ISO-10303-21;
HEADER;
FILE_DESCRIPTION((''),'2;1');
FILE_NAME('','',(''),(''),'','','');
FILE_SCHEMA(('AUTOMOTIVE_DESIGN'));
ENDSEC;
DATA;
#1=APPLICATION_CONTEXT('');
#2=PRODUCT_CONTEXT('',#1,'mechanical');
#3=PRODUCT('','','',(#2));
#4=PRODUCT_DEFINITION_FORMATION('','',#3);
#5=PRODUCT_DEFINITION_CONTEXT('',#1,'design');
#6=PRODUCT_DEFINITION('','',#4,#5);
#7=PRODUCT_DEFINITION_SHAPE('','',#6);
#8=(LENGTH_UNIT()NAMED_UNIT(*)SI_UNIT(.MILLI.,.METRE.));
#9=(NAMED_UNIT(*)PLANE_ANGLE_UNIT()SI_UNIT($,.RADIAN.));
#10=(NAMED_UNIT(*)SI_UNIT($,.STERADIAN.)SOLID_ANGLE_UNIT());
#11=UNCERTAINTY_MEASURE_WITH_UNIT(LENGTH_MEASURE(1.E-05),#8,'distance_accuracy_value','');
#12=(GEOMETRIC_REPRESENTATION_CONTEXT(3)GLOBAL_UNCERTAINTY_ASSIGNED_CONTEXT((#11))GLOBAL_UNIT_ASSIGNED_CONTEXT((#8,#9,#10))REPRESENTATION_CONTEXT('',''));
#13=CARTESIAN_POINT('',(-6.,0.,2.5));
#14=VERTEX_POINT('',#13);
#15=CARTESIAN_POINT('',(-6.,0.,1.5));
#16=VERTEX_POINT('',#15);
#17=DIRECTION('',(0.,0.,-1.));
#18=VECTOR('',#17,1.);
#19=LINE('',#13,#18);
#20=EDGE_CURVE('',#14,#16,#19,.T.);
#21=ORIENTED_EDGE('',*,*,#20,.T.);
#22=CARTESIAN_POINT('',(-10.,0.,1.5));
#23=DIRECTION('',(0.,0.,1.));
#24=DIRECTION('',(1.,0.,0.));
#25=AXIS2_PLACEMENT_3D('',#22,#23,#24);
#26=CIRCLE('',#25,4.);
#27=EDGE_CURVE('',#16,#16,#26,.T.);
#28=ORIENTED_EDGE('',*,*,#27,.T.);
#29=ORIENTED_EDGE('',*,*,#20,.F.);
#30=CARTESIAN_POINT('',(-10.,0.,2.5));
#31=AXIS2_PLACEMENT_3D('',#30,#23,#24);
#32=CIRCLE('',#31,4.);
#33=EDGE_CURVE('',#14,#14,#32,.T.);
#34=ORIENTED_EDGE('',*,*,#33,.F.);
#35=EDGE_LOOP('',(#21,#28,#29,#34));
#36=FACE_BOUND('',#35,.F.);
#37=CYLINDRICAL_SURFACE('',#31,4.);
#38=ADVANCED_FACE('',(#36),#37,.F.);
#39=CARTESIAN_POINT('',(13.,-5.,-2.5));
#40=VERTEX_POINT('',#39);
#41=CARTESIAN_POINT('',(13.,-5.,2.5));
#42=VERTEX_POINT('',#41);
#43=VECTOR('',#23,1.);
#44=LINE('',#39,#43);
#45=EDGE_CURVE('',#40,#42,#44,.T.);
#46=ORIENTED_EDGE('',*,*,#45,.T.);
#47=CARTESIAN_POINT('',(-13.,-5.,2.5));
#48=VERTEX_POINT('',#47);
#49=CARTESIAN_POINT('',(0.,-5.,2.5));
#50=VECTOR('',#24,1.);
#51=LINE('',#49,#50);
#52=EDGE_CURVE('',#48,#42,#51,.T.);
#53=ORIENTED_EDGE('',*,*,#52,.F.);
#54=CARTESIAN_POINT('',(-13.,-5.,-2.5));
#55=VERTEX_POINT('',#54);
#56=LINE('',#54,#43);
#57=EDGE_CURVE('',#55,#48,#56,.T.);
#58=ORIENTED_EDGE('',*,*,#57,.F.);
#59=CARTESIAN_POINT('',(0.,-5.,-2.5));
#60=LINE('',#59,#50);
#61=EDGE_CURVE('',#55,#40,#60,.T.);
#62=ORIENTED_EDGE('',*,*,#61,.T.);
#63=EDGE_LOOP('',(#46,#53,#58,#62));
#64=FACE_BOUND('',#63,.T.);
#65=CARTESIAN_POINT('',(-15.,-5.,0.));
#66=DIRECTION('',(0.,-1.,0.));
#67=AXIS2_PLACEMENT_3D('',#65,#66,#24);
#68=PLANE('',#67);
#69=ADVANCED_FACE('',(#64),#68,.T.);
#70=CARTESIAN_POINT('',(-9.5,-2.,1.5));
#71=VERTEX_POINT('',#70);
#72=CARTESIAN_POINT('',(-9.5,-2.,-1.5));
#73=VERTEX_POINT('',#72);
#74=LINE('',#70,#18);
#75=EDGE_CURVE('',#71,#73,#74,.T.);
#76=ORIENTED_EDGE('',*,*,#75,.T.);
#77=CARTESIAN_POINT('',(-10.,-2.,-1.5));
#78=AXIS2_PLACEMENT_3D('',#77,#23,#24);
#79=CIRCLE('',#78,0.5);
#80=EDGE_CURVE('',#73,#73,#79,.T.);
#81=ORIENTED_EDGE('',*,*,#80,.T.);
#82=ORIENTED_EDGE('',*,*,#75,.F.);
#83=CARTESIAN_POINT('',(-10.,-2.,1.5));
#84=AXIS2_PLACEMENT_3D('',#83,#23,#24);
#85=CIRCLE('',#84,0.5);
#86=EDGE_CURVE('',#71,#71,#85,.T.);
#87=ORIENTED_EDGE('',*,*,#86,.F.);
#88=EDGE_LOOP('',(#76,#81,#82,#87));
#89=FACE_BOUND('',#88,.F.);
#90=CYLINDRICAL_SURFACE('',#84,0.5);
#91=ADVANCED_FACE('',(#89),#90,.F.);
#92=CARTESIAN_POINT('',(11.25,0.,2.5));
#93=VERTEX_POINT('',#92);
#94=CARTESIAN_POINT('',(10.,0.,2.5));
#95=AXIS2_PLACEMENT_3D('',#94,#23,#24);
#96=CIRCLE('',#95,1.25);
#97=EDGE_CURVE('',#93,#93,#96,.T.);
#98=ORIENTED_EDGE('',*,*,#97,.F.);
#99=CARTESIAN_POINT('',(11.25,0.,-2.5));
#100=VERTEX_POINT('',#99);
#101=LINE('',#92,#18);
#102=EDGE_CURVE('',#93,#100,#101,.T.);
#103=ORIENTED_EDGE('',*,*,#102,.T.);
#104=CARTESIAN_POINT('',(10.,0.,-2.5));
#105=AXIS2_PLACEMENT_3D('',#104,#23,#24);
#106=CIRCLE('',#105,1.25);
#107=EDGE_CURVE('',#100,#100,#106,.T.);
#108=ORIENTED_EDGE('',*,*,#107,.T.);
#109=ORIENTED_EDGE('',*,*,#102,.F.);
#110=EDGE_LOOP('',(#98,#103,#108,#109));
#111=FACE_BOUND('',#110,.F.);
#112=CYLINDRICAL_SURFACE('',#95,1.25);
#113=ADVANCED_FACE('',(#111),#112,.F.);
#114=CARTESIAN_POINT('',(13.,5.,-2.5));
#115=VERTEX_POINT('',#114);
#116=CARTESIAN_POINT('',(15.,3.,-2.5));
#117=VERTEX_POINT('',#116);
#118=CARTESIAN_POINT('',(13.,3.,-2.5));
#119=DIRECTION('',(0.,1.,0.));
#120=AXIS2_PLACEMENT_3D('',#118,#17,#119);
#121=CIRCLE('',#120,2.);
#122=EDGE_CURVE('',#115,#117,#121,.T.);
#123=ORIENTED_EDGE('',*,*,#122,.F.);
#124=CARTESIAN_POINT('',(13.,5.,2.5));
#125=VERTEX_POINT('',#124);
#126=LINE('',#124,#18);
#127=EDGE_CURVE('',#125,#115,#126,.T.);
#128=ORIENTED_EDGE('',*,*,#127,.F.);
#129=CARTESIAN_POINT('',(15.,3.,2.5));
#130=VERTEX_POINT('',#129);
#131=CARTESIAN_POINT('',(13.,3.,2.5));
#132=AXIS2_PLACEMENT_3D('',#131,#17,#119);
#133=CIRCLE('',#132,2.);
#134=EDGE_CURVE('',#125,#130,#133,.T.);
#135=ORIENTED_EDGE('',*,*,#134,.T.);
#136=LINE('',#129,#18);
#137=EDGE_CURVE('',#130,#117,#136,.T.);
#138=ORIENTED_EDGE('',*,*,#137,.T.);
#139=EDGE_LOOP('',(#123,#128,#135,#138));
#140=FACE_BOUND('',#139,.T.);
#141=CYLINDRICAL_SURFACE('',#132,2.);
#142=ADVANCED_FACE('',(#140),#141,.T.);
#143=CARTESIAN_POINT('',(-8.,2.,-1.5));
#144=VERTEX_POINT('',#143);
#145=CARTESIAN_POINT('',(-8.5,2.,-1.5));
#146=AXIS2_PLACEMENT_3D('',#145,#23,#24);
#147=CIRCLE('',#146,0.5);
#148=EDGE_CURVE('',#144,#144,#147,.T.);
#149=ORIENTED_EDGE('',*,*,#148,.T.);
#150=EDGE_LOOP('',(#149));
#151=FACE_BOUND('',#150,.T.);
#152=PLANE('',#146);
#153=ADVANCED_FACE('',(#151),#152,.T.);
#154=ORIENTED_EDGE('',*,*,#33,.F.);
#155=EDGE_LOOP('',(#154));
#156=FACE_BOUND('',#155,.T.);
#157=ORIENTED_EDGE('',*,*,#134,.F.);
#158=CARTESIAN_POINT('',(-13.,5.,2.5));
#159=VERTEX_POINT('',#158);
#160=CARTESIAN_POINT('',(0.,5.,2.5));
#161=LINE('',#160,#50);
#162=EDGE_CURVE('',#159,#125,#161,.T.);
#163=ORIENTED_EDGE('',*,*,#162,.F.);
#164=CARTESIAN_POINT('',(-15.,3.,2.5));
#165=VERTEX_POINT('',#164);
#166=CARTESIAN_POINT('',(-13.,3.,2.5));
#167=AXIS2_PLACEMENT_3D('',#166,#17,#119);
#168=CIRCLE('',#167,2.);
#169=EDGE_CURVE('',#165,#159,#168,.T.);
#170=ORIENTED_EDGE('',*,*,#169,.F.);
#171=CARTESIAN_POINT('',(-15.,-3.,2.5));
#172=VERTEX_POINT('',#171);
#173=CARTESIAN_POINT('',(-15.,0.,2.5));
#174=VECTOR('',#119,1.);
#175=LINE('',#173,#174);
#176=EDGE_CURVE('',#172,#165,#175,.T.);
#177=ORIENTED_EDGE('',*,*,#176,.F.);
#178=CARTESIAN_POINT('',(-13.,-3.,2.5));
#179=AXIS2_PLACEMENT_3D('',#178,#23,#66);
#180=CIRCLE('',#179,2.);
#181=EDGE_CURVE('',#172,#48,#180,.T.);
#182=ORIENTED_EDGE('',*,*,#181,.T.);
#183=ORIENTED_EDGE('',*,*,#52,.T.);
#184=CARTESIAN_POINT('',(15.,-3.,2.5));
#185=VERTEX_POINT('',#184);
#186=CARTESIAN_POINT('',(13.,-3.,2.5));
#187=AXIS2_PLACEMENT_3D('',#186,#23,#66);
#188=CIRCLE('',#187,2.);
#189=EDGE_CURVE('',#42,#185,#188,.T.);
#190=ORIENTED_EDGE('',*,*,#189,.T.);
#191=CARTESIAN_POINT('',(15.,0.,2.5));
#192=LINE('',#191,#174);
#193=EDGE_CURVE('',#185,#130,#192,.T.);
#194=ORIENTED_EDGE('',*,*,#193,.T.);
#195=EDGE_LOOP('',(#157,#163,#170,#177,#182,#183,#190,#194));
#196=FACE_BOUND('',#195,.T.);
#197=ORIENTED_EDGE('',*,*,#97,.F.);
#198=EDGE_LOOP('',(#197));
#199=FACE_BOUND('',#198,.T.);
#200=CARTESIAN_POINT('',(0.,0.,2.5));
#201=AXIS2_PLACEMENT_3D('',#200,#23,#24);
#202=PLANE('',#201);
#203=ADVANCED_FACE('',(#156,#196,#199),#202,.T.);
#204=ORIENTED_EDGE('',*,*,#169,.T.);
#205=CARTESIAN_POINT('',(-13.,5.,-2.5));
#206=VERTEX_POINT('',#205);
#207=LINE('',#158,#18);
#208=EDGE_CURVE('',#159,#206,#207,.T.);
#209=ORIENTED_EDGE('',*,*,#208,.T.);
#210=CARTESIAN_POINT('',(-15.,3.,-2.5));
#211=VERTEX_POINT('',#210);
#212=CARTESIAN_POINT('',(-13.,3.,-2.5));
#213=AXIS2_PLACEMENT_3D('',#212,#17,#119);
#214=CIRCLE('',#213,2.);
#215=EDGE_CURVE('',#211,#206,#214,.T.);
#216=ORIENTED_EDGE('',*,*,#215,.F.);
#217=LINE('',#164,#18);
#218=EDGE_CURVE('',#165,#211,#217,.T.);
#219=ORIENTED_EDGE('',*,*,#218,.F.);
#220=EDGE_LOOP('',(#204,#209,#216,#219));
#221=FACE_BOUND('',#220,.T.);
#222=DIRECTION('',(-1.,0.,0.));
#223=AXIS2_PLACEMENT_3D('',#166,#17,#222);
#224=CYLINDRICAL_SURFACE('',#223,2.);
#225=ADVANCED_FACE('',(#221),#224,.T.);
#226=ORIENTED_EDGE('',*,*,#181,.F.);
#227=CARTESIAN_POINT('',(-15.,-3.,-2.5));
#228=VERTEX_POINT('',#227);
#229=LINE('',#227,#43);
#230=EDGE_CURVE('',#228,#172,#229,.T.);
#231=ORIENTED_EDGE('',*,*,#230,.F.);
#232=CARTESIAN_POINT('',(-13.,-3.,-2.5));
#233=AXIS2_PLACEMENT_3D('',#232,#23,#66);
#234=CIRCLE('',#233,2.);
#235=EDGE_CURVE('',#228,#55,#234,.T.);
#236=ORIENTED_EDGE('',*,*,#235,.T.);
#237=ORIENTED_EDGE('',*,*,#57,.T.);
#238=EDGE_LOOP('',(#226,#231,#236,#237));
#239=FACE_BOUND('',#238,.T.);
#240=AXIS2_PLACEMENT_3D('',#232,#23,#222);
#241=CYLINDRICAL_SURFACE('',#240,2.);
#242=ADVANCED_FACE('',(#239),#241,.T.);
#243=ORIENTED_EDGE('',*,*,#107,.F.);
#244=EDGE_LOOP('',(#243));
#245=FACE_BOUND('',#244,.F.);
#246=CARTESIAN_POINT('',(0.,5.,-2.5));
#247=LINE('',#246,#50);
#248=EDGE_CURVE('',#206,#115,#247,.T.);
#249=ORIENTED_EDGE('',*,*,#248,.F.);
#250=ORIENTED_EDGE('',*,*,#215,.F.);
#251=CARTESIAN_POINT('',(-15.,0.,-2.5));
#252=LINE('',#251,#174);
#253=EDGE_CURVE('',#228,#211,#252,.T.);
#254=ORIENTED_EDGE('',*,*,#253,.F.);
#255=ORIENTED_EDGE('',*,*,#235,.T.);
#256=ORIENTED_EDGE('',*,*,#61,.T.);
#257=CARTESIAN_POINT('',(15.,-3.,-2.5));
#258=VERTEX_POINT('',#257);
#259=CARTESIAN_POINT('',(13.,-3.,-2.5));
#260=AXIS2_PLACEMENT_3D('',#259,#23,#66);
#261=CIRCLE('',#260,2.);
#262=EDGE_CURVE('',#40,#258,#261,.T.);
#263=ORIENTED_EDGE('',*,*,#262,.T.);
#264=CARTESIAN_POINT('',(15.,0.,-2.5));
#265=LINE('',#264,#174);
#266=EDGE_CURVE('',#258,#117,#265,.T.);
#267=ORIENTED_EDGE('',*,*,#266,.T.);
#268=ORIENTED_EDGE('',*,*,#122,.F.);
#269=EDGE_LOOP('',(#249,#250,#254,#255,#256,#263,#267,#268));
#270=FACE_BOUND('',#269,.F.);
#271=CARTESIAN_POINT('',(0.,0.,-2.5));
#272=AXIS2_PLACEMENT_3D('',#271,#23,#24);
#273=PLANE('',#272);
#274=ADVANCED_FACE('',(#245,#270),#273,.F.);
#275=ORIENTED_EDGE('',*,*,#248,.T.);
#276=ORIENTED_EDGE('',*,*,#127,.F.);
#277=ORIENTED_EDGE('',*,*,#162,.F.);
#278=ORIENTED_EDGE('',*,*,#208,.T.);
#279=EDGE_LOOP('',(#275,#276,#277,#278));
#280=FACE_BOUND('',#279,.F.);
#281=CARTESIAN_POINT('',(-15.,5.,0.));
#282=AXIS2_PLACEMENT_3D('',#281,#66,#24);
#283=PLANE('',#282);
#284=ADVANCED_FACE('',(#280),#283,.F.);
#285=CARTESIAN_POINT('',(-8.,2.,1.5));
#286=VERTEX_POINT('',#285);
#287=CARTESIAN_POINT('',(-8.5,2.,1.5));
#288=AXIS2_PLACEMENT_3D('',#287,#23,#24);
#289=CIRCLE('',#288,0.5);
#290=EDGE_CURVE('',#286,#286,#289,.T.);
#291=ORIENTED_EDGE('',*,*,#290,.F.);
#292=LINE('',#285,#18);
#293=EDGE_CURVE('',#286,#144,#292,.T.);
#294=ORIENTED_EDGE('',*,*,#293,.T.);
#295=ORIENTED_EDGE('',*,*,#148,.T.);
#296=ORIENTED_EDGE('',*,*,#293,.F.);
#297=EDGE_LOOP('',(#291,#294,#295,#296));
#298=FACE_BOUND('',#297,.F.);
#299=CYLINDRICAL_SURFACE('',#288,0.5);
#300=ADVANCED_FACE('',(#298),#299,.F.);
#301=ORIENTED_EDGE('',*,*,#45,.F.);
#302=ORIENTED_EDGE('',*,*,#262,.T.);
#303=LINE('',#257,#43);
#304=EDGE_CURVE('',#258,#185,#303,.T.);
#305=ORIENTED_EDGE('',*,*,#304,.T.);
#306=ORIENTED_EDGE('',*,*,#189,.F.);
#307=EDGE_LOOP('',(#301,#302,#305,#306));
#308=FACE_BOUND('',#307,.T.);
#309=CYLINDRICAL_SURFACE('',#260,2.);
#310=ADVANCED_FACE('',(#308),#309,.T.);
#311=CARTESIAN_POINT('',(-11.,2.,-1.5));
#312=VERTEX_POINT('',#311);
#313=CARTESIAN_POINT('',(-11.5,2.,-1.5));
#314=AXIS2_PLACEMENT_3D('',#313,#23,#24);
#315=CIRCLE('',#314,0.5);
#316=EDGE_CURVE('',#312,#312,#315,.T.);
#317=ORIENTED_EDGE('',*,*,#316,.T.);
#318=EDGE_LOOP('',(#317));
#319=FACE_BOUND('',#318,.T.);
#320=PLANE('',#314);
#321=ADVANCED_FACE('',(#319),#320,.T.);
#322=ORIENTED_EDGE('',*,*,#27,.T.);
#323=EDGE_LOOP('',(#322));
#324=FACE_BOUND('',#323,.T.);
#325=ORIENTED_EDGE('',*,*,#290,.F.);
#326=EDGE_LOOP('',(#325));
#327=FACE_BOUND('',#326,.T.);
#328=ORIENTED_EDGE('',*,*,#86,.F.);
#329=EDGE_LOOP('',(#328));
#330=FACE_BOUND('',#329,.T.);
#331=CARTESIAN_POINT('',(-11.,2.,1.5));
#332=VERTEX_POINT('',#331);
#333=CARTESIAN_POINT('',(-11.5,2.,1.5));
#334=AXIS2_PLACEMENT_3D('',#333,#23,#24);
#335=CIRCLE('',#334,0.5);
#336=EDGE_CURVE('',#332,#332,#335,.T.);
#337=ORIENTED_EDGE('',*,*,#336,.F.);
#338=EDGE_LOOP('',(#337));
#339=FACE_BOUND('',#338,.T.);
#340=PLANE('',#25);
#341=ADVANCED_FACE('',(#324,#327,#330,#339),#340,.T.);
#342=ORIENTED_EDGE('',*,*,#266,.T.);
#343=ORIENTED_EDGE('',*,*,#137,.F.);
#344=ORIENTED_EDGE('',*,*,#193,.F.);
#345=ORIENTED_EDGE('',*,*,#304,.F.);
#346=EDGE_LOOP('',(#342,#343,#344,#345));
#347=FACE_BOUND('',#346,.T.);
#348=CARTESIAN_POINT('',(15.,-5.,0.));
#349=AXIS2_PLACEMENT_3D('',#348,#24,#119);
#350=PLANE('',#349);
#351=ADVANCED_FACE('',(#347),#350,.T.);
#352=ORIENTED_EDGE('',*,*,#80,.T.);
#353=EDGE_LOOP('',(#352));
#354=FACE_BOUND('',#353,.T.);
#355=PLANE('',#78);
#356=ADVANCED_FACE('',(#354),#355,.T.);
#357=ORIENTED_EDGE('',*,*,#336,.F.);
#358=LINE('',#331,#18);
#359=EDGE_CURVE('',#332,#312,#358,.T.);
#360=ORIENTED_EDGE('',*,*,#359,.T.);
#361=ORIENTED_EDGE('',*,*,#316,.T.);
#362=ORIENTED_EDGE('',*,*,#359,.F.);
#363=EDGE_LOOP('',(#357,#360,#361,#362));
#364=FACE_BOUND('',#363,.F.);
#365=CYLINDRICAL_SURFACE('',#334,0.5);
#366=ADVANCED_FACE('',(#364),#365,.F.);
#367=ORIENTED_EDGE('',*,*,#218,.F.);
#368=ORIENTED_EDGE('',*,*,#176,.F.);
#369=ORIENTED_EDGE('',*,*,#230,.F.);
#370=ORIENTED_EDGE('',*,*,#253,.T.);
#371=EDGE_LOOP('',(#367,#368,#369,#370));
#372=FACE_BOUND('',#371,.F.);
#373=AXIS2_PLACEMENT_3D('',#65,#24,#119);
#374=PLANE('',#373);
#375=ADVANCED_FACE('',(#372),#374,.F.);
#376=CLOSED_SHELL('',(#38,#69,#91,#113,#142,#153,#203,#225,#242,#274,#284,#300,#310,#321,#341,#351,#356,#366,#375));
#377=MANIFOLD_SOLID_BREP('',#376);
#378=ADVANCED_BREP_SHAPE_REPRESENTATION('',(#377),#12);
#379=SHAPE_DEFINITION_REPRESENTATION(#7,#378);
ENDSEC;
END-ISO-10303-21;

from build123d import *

# Parameters (mm, degrees)
F0_W     = 30
F0_H     = 10
F1_DEPTH = 2.5
F2_R     = 4
F3_DEPTH = 1
F4_R     = 0.5
F5_DEPTH = 3
F6_R     = 1.25
F7_DEPTH = 5.001
F8_R     = 2


with BuildPart() as f1:
    # F0 (on Top) → F1 (new body, symmetric)
    with BuildSketch(Plane.XY):
        Rectangle(F0_W, F0_H)
    extrude(amount=F1_DEPTH, both=True)

    # F2 (on face) → F3 (cut)
    with BuildSketch(Plane.XY.offset(2.5)):
        with Locations((-10, 0)):
            Circle(F2_R)
    extrude(amount=-F3_DEPTH, mode=Mode.SUBTRACT)

    # F4 (on face) → F5 (cut)
    with BuildSketch(Plane.XY.offset(1.5)):
        with Locations((-11.5, 2)):
            Circle(F4_R)
        with Locations((-8.5, 2)):
            Circle(F4_R)
        with Locations((-10, -2)):
            Circle(F4_R)
    extrude(amount=-F5_DEPTH, mode=Mode.SUBTRACT)

    # F6 (on face) → F7 (cut, through all)
    with BuildSketch(Plane.XY.offset(2.5)):
        with Locations((10, 0)):
            Circle(F6_R)
    extrude(amount=-F7_DEPTH, mode=Mode.SUBTRACT)

    # F8
    f8_edges = [f1.edges().sort_by_distance(p)[0] for p in [
        (-15, -5, 0),
        (-15, 5, 0),
        (15, -5, 0),
        (15, 5, 0),
    ]]
    fillet(f8_edges, radius=F8_R)


solid = f1.part
